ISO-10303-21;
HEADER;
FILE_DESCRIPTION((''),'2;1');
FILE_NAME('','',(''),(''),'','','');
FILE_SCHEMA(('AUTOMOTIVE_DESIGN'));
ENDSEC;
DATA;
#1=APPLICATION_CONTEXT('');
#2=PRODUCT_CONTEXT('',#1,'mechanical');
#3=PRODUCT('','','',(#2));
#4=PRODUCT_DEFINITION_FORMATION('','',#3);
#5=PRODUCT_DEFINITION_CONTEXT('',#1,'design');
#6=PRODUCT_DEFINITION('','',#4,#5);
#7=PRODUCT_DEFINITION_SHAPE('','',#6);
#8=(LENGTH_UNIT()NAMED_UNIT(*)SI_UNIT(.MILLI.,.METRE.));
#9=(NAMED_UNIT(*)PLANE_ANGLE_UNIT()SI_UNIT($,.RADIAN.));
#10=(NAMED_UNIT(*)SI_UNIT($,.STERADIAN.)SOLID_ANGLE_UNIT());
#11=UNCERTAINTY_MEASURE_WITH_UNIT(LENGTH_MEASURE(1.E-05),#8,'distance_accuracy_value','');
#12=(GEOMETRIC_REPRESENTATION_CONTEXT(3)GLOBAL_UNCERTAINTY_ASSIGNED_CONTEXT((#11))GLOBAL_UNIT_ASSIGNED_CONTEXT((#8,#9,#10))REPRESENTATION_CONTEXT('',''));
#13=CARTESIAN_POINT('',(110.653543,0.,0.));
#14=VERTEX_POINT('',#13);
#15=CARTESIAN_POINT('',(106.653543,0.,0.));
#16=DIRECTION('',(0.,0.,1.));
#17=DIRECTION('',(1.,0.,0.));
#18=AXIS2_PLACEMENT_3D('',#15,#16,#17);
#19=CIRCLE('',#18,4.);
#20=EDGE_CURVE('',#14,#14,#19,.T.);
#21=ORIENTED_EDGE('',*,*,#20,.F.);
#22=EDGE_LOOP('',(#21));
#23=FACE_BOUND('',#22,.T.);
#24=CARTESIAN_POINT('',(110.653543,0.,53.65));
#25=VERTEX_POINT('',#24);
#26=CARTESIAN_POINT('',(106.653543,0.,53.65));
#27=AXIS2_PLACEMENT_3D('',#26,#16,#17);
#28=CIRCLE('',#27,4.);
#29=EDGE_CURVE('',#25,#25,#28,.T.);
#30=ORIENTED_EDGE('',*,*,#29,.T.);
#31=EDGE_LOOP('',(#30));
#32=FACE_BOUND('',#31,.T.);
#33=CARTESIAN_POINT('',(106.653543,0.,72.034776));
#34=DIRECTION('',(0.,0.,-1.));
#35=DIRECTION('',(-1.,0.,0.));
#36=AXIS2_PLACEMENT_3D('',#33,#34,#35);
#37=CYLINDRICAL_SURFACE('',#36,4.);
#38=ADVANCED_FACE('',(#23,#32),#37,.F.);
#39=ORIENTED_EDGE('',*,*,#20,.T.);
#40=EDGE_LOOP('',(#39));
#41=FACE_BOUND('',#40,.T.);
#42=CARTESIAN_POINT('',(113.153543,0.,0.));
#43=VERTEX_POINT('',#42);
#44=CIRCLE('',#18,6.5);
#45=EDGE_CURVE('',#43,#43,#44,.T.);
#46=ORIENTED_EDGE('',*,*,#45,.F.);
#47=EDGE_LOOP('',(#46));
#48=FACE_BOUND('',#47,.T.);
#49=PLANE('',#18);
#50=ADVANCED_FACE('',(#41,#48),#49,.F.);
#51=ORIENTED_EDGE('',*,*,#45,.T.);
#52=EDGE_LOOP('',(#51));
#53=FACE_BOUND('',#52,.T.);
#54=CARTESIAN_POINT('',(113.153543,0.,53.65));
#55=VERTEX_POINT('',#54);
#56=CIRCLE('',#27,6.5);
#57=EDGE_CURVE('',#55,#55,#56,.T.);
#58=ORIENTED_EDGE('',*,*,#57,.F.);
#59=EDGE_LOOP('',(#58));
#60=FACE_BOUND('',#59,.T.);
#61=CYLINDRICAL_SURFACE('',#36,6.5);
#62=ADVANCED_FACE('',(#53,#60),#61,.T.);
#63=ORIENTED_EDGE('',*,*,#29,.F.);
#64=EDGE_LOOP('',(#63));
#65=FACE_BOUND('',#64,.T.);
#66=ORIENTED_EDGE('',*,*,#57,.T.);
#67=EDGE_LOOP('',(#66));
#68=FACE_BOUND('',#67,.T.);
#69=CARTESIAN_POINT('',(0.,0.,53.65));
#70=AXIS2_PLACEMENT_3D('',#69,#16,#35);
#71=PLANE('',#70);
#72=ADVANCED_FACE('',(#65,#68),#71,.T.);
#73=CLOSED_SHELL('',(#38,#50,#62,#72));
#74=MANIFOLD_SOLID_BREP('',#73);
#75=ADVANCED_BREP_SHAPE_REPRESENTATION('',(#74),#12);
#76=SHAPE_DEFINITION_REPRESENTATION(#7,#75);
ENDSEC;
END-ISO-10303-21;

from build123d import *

# Parameters (mm, degrees)
SKETCH1_R           = 6.5
SKETCH1_R_2         = 4
BOSS_EXTRUDE1_DEPTH = 53.65


with BuildPart() as part:
    # Sketch1 → Boss-Extrude1 (new body)
    with BuildSketch(Plane.XY):
        with Locations((106.653543307, 0)):
            Circle(SKETCH1_R)
        with Locations((106.653543307, 0)):
            Circle(SKETCH1_R_2, mode=Mode.SUBTRACT)
    extrude(amount=BOSS_EXTRUDE1_DEPTH)


solid = part.part
